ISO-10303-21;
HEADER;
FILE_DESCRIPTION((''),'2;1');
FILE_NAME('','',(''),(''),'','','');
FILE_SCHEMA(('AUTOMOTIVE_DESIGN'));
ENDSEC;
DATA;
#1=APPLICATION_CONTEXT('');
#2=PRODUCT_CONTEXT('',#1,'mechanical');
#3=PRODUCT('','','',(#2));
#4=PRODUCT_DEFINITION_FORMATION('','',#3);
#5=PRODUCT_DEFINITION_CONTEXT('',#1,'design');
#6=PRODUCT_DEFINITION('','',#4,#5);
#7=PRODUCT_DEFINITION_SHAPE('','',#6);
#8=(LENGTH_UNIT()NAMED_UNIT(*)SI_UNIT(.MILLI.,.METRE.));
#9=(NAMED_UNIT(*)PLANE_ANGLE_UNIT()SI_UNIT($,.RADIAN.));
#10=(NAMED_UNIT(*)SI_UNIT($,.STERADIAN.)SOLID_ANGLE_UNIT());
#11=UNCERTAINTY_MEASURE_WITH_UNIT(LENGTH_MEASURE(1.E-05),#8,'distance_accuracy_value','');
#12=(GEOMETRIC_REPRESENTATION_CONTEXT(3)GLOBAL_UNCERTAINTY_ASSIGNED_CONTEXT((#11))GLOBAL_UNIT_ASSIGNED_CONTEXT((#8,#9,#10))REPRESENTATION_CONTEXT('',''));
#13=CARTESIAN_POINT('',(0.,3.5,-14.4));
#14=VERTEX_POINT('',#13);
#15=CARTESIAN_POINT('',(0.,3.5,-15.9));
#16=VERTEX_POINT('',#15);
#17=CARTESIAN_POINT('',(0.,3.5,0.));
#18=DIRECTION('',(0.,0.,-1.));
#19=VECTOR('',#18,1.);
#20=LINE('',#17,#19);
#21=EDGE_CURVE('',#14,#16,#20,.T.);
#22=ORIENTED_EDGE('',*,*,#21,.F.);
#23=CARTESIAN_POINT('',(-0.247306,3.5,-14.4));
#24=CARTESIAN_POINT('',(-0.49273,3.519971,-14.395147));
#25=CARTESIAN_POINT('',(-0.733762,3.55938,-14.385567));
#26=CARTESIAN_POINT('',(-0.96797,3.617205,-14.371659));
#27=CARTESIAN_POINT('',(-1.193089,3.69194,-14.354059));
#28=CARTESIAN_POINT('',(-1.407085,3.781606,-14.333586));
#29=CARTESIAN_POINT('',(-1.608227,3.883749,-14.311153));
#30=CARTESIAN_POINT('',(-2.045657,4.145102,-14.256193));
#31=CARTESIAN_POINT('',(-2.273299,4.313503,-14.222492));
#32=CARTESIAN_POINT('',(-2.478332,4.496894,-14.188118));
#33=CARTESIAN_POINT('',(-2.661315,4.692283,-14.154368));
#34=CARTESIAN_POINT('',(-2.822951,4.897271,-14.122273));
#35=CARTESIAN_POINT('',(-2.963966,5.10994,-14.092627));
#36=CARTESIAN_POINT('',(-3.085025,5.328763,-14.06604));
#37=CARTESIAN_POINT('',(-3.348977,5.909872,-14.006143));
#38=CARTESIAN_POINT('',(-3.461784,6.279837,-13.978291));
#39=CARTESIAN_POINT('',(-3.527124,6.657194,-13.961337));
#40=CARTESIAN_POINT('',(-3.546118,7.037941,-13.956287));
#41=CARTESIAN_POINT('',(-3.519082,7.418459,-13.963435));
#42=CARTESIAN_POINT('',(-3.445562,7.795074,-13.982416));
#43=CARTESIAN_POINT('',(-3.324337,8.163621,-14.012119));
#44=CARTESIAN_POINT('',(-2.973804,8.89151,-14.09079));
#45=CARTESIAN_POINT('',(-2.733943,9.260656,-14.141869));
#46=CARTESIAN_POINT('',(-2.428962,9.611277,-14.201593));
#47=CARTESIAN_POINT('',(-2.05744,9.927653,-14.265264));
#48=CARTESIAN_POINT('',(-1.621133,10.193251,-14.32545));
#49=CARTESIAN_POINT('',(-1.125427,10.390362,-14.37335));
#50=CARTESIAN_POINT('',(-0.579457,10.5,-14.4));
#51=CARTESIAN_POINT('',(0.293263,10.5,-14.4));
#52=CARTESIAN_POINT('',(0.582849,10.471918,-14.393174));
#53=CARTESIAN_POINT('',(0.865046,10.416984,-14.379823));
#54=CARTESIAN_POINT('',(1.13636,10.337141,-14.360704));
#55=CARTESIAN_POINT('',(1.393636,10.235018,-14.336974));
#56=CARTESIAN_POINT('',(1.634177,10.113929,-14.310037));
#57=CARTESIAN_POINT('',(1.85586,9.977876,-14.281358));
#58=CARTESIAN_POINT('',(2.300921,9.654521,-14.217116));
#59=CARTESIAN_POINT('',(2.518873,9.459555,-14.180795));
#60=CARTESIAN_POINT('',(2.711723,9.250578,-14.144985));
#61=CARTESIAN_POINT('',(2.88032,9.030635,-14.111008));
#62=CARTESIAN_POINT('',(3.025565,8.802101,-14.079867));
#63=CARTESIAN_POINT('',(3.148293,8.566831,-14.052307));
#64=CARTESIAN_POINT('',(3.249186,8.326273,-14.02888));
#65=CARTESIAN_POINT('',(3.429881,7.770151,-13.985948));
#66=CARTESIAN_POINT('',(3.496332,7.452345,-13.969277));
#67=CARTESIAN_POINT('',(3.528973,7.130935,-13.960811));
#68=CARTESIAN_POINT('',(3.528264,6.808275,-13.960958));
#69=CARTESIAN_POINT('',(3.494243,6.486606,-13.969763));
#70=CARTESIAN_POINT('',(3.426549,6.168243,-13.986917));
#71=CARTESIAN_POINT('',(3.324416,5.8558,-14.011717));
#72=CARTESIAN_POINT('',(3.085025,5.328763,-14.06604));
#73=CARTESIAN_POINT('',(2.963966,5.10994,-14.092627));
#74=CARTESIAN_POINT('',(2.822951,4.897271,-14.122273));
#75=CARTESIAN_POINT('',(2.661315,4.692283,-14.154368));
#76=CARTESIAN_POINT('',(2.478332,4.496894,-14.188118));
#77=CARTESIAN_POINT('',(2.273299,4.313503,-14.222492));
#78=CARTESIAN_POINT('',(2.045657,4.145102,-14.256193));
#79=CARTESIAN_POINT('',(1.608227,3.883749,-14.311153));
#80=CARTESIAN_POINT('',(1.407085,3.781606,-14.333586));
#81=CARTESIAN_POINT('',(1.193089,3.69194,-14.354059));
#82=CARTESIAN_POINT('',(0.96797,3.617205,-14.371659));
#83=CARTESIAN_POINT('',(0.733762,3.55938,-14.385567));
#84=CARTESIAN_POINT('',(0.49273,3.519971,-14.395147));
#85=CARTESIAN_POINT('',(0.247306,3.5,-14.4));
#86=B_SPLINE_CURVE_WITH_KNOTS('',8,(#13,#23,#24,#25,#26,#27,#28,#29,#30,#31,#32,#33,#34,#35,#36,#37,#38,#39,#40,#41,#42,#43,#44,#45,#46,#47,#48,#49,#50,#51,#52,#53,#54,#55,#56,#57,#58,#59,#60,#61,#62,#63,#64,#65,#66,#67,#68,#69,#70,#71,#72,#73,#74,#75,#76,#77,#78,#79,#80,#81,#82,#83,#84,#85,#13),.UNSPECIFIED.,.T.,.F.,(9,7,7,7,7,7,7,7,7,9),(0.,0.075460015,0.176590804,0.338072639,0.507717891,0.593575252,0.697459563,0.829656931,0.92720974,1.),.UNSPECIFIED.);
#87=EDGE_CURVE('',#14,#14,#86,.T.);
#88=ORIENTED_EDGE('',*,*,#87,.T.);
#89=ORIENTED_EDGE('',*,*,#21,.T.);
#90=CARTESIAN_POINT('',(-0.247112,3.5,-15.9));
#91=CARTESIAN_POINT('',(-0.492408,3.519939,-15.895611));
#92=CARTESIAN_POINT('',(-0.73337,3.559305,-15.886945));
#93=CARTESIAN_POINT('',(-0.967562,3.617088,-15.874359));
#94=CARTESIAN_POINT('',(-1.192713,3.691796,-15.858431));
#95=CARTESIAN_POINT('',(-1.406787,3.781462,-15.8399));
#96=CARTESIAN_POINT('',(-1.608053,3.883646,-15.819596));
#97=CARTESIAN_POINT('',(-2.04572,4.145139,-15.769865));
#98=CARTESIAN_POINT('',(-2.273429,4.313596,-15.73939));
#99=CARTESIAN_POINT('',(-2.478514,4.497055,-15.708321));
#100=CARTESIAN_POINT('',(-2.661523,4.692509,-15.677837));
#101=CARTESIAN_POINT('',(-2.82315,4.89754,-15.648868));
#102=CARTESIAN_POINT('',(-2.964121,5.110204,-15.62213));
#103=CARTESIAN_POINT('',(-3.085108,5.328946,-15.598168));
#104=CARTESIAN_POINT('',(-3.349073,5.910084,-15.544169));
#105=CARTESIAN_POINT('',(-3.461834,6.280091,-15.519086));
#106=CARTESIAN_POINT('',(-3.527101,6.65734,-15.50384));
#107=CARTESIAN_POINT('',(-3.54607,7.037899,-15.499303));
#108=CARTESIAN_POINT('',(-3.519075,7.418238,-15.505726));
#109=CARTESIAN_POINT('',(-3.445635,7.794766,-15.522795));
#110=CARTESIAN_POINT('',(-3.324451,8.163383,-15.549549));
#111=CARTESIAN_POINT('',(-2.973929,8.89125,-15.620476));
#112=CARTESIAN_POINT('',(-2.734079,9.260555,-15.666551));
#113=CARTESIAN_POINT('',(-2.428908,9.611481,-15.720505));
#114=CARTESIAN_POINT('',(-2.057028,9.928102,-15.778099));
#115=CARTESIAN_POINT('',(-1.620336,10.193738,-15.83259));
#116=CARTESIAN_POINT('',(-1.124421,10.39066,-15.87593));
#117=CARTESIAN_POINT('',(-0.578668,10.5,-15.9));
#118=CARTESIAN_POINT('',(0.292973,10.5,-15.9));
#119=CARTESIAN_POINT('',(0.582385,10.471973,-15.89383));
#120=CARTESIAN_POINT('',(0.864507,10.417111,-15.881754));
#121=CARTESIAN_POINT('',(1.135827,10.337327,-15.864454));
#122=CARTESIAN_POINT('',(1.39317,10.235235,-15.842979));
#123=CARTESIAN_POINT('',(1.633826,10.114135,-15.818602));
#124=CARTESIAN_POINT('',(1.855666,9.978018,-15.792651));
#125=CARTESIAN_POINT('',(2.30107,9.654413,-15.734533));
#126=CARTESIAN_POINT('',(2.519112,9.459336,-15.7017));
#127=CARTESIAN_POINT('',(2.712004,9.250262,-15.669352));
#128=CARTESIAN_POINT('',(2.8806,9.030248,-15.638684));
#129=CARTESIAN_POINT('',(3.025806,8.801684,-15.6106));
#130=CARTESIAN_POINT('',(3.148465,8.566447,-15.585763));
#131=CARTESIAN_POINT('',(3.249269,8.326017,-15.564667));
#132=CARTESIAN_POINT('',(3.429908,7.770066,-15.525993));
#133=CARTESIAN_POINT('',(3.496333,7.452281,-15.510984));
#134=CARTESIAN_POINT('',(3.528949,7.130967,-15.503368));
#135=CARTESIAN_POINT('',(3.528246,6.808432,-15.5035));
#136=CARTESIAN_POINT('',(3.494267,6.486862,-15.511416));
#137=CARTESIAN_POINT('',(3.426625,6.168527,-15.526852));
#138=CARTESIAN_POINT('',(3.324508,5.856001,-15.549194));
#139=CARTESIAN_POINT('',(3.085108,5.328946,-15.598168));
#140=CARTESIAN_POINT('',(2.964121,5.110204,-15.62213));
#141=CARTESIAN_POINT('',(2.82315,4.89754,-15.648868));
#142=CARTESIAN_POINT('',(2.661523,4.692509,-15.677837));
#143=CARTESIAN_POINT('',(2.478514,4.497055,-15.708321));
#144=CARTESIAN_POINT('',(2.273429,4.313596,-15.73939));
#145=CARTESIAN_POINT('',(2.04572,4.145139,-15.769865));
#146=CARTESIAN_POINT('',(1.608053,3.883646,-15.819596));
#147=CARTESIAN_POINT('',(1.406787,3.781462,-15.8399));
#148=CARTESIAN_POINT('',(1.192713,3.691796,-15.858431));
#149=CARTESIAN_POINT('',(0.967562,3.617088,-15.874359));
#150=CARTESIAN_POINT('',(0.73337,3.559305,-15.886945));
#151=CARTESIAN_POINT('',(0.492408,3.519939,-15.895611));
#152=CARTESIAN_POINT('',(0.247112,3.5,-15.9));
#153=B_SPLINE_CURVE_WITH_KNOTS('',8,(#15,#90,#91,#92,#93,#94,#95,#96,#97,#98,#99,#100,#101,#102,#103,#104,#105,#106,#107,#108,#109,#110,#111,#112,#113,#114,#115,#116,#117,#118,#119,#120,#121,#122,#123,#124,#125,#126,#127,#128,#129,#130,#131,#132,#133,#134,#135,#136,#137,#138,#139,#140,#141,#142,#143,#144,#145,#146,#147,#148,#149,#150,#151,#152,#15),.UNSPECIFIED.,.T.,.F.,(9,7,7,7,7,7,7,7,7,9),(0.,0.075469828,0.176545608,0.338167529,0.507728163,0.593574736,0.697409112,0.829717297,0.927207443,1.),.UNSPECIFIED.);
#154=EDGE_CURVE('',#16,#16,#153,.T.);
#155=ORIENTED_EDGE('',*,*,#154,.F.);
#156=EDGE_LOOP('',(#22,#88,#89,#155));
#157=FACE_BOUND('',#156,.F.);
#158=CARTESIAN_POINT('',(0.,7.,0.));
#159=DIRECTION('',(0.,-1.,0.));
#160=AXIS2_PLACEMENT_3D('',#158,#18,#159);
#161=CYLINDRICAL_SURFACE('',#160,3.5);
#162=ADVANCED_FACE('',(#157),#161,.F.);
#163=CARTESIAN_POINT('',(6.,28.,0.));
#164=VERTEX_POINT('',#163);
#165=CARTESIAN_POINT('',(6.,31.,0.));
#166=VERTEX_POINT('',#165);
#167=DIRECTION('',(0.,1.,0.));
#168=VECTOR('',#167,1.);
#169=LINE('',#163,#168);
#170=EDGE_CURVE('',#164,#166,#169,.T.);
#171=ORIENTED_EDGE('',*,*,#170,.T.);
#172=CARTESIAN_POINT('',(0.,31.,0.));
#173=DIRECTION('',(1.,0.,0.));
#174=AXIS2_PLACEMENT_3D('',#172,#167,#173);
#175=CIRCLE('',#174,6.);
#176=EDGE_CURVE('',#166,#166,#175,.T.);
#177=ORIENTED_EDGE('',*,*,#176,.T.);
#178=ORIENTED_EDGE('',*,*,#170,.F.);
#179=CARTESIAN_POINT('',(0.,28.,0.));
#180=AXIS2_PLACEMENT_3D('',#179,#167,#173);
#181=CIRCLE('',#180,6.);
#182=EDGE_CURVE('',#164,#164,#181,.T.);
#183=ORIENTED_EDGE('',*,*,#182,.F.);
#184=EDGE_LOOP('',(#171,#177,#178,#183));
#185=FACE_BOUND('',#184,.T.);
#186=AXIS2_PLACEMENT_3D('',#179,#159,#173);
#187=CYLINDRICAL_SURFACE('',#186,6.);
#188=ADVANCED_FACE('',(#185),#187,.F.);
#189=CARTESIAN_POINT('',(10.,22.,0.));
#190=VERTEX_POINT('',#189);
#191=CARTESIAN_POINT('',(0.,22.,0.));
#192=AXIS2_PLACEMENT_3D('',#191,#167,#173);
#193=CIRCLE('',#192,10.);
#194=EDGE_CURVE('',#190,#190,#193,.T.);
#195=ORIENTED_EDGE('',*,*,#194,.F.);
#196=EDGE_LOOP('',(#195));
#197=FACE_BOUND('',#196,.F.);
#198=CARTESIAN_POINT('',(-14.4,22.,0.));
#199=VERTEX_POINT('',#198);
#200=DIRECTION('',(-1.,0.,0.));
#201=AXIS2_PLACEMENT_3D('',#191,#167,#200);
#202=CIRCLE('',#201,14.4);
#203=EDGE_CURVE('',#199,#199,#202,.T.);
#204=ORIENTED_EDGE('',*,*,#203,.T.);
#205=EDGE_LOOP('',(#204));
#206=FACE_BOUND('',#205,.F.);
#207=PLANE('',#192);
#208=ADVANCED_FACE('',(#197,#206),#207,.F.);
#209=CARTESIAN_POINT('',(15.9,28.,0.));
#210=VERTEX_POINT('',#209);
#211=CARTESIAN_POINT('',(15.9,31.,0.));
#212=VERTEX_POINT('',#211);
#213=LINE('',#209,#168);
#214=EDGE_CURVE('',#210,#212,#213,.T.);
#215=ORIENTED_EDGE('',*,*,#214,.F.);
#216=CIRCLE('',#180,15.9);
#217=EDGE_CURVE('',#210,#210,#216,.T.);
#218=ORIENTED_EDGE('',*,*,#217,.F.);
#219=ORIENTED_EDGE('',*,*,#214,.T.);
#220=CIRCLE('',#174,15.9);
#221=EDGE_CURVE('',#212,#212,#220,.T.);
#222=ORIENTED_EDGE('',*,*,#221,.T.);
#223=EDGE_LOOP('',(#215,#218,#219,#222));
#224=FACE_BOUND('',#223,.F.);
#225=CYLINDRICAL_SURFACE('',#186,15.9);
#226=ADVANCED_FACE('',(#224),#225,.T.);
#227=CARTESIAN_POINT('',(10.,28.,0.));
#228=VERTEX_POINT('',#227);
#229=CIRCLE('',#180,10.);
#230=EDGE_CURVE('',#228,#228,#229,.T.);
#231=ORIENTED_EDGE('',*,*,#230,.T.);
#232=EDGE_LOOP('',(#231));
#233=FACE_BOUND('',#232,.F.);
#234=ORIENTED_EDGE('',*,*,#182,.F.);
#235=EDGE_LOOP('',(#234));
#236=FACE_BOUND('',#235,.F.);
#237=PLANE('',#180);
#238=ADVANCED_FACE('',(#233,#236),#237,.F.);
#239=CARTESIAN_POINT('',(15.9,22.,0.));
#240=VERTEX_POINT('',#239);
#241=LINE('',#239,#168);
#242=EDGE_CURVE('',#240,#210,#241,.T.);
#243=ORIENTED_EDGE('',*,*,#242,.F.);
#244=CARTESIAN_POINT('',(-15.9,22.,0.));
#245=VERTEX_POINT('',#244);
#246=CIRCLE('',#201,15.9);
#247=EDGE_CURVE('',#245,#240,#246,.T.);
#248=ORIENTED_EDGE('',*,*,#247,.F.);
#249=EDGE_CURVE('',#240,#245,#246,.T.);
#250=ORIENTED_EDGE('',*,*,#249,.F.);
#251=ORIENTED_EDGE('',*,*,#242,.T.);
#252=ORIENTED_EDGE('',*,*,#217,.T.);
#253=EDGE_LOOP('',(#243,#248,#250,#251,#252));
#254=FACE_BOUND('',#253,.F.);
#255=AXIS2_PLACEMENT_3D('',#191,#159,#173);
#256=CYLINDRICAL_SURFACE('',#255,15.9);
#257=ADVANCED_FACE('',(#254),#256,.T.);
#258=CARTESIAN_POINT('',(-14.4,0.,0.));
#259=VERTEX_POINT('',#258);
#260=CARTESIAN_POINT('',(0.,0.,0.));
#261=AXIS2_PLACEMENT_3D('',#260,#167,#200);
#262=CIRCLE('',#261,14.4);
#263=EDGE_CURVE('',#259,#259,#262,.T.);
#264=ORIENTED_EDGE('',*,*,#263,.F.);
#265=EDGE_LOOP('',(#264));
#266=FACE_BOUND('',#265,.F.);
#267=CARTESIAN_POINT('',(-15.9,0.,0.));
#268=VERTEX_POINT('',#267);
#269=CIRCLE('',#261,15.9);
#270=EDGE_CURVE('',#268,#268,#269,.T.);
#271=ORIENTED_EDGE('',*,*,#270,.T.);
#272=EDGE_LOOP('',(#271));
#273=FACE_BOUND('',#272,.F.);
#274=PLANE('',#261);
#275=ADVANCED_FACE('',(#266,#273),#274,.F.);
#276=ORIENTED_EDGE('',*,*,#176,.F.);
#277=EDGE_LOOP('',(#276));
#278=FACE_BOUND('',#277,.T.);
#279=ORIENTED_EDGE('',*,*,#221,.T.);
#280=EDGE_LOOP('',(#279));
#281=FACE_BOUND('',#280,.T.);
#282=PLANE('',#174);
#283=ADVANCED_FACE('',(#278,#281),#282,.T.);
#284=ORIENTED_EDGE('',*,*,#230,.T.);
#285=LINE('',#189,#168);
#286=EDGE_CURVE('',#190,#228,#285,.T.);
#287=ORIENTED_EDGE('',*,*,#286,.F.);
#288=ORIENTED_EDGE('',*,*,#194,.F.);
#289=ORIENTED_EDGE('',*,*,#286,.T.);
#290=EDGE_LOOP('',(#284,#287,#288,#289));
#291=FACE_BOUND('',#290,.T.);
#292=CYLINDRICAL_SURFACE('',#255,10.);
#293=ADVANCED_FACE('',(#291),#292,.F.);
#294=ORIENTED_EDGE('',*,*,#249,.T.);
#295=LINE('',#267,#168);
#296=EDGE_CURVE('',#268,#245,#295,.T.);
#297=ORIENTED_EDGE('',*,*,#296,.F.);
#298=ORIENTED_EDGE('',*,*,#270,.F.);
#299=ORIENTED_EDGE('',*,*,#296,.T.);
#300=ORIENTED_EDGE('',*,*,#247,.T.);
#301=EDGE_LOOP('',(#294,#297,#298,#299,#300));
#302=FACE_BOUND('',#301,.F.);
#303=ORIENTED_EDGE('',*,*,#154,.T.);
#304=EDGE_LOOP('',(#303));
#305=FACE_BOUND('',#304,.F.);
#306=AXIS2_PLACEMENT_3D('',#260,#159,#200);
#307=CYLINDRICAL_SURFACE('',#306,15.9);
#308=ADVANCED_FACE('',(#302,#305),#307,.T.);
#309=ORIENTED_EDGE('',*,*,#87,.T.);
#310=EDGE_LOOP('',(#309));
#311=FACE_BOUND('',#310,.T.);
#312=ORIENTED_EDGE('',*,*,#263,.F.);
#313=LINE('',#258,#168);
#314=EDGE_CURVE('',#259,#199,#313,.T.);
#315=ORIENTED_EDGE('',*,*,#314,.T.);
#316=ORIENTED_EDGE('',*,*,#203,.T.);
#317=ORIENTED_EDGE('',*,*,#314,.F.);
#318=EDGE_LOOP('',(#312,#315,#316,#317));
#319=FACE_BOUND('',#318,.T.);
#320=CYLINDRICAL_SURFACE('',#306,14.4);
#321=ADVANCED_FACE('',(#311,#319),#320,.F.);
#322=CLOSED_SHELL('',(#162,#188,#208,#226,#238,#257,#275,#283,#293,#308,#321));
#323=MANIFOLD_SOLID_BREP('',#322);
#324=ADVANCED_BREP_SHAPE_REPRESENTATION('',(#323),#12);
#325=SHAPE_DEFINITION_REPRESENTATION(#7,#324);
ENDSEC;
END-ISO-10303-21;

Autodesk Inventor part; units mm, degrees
ref_plane "YZ Plane" through (0, 0, 0) normal (1, 0, 0) x (0, 1, 0)
ref_plane "XZ Plane" through (0, 0, 0) normal (0, 1, 0) x (-1, 0, 0)
ref_plane "XY Plane" through (0, 0, 0) normal (0, 0, 1) x (1, 0, 0)
sketch "Boceto1" plane through (0, 0, 0) normal (0, 1, 0) x (-1, 0, 0)
  circle A0 centre (0, 0) radius 14.4
  circle A1 centre (0, 0) radius 15.9
  dimension "d0" = 28.8
  dimension "d1" = 1.5
extrude "Extrusión1" add sketch "Boceto1" along normal blind 22
sketch "Boceto2" plane through (0, 0, 0) normal (0, 0, 1) x (1, 0, 0)
  line L0 (15.9, 22) -> (-15.9, 22) projected
  point P0 (0, 0)
  point P1 (0, 7)
  dimension "d4" = 15
hole "Agujero1" at (0, 7, 0) direction (0, 0, -1) diameter 7 end through all clearance for "Tornillo para maquinaria de cabeza plana" size "M6" standard "Perfil M métrico ANSI"
sketch "Boceto3" plane through (0, 22, 0) normal (0, 1, 0) x (1, 0, 0)
  circle A0 centre (0, 0) radius 15.9 projected
  circle A1 centre (0, 0) radius 10
  dimension "d12" = 20
extrude "Extrusión2" add sketch "Boceto3" along normal blind 6
sketch "Boceto4" plane through (0, 28, 0) normal (0, 1, 0) x (1, 0, 0)
  circle A0 centre (0, 0) radius 15.9 projected
  circle A1 centre (0, 0) radius 6
  dimension "d15" = 12
extrude "Extrusión3" add sketch "Boceto4" along normal blind 3
properties part number "limite_3DPrint"
